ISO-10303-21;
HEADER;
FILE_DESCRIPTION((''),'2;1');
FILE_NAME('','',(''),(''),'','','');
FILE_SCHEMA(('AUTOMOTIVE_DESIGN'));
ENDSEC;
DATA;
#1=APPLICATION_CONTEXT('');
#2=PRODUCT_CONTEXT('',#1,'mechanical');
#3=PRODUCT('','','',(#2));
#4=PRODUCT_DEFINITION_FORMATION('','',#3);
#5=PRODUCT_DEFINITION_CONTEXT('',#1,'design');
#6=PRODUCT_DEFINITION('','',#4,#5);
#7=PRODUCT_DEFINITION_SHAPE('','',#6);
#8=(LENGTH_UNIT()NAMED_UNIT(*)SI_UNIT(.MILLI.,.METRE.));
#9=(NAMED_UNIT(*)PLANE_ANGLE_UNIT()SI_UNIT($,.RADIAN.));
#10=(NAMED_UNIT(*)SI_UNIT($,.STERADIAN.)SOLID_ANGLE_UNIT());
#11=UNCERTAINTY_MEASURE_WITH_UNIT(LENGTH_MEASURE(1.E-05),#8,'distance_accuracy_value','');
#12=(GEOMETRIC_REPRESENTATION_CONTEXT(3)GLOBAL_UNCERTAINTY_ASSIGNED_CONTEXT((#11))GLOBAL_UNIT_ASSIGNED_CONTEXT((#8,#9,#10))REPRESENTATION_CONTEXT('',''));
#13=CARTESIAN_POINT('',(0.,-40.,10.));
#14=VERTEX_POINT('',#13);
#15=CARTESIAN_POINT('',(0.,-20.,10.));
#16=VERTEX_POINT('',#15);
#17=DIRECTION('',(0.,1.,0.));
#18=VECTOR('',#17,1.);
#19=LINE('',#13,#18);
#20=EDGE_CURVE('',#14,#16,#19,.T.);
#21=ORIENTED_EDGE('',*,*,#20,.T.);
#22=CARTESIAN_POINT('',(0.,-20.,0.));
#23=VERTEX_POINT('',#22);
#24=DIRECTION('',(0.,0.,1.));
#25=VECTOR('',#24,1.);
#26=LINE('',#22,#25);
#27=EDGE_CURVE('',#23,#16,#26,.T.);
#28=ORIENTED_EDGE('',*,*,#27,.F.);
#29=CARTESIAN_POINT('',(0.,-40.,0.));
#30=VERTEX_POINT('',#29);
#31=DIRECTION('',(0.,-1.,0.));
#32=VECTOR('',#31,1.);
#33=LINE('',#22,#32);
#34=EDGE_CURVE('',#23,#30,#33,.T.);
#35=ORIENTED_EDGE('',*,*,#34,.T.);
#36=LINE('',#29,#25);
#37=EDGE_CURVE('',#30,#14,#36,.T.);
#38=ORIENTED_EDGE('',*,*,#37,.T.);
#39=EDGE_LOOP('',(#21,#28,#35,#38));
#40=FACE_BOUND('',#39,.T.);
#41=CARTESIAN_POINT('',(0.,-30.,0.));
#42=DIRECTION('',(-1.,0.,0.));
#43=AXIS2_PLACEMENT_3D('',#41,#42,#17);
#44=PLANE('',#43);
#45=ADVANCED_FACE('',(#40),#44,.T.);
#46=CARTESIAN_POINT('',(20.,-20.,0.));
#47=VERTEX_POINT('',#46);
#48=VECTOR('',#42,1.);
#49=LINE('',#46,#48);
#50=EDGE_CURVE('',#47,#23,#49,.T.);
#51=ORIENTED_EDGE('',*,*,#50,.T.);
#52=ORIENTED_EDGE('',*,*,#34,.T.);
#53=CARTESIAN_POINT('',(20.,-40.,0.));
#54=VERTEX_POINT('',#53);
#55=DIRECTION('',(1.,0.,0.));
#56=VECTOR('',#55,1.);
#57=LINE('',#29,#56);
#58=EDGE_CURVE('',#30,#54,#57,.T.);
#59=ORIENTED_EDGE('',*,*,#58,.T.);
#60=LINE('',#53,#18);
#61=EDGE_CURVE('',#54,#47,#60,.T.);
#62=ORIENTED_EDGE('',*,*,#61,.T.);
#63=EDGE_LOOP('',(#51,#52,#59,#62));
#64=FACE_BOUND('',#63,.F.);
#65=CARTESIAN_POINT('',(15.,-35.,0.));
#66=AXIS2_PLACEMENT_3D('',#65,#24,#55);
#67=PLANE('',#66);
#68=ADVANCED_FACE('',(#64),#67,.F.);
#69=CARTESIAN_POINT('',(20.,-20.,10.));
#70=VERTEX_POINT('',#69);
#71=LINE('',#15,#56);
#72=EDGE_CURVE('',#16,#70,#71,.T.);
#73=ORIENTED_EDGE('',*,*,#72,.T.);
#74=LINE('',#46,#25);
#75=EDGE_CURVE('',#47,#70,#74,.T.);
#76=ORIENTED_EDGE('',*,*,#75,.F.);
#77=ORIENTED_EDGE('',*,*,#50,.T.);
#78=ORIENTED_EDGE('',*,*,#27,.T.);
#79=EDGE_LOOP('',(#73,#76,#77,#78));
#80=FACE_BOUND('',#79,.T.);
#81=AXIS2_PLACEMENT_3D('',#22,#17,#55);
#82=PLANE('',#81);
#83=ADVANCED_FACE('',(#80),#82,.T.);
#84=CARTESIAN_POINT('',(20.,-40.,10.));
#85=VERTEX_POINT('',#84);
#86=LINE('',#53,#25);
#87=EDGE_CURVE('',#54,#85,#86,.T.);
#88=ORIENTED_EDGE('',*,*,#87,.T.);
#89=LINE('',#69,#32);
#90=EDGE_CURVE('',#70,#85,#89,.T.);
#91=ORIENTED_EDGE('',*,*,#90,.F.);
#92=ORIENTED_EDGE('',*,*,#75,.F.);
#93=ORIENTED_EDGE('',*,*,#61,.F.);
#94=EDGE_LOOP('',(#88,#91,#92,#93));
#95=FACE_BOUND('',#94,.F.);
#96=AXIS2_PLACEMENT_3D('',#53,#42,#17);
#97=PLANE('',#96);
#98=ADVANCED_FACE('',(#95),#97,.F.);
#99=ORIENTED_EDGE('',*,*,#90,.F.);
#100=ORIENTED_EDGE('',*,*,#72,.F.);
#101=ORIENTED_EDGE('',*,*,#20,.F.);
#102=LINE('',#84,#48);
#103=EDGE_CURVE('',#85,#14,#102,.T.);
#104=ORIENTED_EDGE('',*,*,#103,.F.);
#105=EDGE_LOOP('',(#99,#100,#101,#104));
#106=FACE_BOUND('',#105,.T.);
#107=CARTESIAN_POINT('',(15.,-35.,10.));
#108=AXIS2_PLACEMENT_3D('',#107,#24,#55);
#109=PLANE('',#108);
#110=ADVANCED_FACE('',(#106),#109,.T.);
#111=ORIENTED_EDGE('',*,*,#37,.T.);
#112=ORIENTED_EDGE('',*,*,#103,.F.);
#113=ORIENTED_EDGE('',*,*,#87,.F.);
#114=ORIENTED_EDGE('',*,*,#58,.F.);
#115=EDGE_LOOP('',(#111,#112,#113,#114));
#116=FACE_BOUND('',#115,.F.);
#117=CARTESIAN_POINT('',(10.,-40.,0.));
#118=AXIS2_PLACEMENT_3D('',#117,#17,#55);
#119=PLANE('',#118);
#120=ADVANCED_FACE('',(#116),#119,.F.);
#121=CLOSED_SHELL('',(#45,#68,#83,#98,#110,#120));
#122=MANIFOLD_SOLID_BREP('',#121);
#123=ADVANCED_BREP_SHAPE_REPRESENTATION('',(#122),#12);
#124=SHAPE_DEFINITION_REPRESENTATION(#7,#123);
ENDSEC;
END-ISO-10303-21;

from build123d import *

# Parameters (mm, degrees)
BOX011_W     = 10
BOX011_H     = 10
BOX011_DEPTH = 10
BOX009_W     = 10
BOX009_H     = 10
BOX009_DEPTH = 10
BOX010_W     = 10
BOX010_H     = 10
BOX010_DEPTH = 10
BOX008_W     = 10
BOX008_H     = 10
BOX008_DEPTH = 10


with BuildPart() as cubo011:
    # Box011 → Box011 (new body)
    with BuildSketch(Plane(origin=(10, 10, 0), x_dir=(1, 0, 0), z_dir=(0, 0, 1))):
        with Locations((5, 5)):
            Rectangle(BOX011_W, BOX011_H)
    extrude(amount=BOX011_DEPTH)


with BuildPart() as cubo009:
    # Box009 → Box009 (new body)
    with BuildSketch(Plane(origin=(0, 10, 0), x_dir=(1, 0, 0), z_dir=(0, 0, 1))):
        with Locations((5, 5)):
            Rectangle(BOX009_W, BOX009_H)
    extrude(amount=BOX009_DEPTH)


with BuildPart() as cubo010:
    # Box010 → Box010 (new body)
    with BuildSketch(Plane(origin=(10, 0, 0), x_dir=(1, 0, 0), z_dir=(0, 0, 1))):
        with Locations((5, 5)):
            Rectangle(BOX010_W, BOX010_H)
    extrude(amount=BOX010_DEPTH)


with BuildPart() as fusion002002:
    # Box008 → Box008 (new body)
    with BuildSketch(Plane.XY):
        with Locations((5, 5)):
            Rectangle(BOX008_W, BOX008_H)
    extrude(amount=BOX008_DEPTH)

    # Fusion002002: union Cubo011, Cubo009, Cubo010
    add(cubo011.part)
    add(cubo009.part)
    add(cubo010.part)


with BuildPart() as fusion002002_1:
    # Fusion002002 placement: moved
    add(fusion002002.part.moved(Location((0, -40, 0))))


solid = fusion002002_1.part
